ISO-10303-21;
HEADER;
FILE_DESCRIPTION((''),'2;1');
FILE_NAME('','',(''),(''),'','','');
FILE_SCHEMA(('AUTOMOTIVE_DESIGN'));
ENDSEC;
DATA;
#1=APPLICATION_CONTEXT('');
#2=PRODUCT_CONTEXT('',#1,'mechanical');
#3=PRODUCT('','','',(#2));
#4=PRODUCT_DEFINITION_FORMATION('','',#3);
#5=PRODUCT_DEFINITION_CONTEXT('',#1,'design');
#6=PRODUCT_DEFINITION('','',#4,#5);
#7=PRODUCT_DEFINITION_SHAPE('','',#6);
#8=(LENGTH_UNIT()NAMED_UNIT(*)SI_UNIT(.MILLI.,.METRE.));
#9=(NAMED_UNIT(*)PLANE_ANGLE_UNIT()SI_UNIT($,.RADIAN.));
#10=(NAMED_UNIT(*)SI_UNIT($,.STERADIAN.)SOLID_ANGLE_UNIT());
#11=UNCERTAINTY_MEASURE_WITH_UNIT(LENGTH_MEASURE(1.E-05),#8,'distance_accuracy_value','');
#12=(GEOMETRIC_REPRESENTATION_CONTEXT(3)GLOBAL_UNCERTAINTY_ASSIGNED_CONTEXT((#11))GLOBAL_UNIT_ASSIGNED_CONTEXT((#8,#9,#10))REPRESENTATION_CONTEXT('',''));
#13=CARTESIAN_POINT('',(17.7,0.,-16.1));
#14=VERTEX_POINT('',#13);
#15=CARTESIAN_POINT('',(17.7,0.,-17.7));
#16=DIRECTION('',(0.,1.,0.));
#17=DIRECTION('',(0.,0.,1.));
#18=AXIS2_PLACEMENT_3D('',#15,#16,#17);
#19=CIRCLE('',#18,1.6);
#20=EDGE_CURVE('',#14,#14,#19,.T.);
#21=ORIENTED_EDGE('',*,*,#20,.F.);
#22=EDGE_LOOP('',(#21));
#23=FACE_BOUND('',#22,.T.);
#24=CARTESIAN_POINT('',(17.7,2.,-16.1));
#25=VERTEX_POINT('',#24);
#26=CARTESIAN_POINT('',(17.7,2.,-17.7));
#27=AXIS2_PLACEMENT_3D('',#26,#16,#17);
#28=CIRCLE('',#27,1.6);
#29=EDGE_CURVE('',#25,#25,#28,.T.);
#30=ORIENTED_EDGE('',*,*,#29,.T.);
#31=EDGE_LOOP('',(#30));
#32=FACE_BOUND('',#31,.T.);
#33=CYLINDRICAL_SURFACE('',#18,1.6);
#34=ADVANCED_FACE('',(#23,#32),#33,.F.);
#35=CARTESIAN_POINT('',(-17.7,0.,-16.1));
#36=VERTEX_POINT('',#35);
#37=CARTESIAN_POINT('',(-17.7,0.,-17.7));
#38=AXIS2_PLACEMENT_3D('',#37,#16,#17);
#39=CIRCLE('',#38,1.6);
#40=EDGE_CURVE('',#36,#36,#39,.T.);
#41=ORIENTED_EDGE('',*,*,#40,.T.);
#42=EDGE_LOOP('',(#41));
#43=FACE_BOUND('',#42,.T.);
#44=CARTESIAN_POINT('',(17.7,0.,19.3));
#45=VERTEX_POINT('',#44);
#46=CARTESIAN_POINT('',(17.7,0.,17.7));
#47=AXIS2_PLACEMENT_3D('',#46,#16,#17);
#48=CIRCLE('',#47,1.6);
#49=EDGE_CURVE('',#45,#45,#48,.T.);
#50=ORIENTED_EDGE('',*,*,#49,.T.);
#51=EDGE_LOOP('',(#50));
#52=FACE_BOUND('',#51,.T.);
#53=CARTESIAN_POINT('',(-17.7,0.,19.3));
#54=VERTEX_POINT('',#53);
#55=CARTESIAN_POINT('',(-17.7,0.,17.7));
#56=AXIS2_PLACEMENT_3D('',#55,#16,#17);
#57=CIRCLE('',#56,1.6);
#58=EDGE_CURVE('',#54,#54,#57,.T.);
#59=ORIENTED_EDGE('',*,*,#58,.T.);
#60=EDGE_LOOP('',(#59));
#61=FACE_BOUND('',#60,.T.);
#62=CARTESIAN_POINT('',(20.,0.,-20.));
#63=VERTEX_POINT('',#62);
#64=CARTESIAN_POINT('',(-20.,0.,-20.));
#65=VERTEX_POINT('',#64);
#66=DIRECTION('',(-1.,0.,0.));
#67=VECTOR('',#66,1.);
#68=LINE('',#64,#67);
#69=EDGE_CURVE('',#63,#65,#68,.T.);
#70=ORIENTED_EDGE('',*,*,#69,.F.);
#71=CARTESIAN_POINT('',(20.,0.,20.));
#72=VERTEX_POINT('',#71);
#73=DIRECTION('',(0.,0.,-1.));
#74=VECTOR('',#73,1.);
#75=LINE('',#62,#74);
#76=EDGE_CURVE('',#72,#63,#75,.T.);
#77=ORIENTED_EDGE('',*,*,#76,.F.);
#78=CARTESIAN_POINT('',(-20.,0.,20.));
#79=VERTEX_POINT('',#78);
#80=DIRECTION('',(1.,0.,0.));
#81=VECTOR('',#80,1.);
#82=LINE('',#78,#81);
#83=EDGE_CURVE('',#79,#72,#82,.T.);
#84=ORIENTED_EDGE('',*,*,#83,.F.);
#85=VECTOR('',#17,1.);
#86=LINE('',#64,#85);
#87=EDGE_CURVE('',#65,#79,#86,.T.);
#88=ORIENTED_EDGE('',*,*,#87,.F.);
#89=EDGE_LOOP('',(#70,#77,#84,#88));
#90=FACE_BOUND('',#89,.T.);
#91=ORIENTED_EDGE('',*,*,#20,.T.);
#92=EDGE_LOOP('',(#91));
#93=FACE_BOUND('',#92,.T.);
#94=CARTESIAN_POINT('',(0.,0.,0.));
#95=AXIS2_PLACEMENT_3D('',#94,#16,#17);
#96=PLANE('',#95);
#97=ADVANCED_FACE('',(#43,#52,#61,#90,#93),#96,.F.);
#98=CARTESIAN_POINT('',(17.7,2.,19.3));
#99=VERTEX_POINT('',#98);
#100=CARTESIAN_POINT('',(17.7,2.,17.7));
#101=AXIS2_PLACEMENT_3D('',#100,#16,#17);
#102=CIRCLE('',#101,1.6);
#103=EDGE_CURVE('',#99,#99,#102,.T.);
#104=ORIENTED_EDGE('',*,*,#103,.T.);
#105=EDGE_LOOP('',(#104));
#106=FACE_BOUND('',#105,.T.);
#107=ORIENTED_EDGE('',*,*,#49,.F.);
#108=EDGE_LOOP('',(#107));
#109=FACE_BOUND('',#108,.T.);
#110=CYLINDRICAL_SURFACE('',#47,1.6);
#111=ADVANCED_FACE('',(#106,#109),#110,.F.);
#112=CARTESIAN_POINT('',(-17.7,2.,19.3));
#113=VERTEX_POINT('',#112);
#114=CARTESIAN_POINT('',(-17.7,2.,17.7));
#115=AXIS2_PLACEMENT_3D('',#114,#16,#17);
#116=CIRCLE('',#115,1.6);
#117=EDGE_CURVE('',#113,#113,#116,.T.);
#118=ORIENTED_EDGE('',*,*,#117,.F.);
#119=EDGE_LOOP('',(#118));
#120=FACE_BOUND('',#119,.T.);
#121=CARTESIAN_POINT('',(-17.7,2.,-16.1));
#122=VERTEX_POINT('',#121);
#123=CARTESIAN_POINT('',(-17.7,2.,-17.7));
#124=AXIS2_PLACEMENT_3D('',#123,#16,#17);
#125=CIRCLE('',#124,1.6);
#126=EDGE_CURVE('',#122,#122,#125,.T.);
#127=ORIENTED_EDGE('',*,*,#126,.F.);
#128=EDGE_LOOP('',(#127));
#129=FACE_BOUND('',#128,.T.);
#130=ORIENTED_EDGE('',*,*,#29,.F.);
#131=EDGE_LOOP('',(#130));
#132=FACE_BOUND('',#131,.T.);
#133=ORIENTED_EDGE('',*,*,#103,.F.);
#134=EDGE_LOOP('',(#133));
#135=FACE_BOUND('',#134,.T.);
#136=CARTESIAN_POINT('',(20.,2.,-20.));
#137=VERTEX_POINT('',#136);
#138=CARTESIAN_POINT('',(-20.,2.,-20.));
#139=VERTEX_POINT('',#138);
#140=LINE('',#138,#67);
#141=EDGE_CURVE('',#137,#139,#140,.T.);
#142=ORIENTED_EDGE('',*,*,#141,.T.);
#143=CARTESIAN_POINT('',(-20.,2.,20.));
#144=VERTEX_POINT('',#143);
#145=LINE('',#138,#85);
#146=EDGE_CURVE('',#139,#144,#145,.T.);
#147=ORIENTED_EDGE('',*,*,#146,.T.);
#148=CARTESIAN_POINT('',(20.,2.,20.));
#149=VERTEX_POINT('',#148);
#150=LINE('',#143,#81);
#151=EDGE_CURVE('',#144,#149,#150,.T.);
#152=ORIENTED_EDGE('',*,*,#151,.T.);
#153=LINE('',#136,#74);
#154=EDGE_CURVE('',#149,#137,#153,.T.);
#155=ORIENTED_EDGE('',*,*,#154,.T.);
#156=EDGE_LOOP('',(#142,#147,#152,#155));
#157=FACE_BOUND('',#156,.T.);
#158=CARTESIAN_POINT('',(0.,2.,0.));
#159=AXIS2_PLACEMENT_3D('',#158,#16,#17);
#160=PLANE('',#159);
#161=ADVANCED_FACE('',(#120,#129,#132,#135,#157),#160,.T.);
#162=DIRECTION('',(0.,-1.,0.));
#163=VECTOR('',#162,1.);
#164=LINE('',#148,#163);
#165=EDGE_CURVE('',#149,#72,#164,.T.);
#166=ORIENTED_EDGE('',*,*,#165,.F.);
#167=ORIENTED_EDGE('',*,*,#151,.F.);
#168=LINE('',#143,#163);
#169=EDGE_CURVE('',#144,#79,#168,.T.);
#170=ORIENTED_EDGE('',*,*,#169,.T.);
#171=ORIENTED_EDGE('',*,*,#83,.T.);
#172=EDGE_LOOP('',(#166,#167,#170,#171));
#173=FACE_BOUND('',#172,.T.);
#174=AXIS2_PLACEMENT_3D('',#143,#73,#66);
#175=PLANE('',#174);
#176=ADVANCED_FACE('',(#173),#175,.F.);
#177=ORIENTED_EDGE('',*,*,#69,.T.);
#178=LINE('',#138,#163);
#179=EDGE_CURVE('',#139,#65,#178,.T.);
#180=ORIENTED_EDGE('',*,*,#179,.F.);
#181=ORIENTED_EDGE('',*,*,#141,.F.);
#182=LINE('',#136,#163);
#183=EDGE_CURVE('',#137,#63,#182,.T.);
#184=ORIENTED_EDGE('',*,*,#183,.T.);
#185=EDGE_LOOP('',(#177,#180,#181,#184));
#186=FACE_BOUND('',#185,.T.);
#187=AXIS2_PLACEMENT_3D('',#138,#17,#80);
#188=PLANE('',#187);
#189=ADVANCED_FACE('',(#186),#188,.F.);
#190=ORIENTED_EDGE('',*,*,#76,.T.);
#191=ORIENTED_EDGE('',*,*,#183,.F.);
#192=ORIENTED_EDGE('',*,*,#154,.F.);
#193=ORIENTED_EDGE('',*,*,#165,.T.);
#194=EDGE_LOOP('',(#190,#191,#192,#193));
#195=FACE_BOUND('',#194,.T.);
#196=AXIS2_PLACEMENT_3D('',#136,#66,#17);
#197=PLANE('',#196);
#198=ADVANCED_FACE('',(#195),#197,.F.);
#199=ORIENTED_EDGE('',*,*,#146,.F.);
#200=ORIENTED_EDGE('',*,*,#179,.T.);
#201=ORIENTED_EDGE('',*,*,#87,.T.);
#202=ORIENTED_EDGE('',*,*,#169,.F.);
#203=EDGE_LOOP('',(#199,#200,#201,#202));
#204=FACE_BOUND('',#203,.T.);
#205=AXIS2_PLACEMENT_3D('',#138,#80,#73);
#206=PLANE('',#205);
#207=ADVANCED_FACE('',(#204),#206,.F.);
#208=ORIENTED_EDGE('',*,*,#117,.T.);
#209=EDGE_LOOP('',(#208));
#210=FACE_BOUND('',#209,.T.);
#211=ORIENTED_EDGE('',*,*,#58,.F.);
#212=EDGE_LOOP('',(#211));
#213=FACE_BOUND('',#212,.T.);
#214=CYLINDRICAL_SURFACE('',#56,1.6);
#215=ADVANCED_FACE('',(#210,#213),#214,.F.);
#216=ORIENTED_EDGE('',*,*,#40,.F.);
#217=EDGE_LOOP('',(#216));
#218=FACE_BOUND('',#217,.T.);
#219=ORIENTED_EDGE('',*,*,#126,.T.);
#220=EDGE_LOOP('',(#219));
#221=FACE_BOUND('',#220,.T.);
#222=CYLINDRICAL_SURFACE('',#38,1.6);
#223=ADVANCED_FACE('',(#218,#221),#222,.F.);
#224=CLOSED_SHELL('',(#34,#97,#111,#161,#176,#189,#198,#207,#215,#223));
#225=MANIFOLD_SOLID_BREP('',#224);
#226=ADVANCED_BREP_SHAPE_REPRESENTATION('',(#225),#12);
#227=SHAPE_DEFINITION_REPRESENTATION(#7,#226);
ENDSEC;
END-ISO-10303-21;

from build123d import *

# Parameters (mm, degrees)
SKETCH1_W           = 40
SKETCH1_H           = 40
BOSS_EXTRUDE1_DEPTH = 2
SKETCH2_R           = 1.6
CUT_EXTRUDE1_DEPTH  = 29.354893758


with BuildPart() as part:
    # Sketch1 → Boss-Extrude1 (new body)
    with BuildSketch(Plane(origin=(0, 0, 0), x_dir=(1, 0, 0), z_dir=(0, 1, 0))):
        Rectangle(SKETCH1_W, SKETCH1_H)
    extrude(amount=BOSS_EXTRUDE1_DEPTH)

    # Sketch2 → Cut-Extrude1 (cut, through all)
    with BuildSketch(Plane(origin=(0, 2, 0), x_dir=(1, 0, 0), z_dir=(0, 1, 0))):
        with Locations(Location((-17.7, 17.7, 0), (0, 0, 270))):
            Circle(SKETCH2_R)
        with Locations(Location((17.7, 17.7, 0), (0, 0, 270))):
            Circle(SKETCH2_R)
        with Locations(Location((17.7, -17.7, 0), (0, 0, 270))):
            Circle(SKETCH2_R)
        with Locations(Location((-17.7, -17.7, 0), (0, 0, 270))):
            Circle(SKETCH2_R)
    extrude(amount=-CUT_EXTRUDE1_DEPTH, mode=Mode.SUBTRACT)


solid = part.part
